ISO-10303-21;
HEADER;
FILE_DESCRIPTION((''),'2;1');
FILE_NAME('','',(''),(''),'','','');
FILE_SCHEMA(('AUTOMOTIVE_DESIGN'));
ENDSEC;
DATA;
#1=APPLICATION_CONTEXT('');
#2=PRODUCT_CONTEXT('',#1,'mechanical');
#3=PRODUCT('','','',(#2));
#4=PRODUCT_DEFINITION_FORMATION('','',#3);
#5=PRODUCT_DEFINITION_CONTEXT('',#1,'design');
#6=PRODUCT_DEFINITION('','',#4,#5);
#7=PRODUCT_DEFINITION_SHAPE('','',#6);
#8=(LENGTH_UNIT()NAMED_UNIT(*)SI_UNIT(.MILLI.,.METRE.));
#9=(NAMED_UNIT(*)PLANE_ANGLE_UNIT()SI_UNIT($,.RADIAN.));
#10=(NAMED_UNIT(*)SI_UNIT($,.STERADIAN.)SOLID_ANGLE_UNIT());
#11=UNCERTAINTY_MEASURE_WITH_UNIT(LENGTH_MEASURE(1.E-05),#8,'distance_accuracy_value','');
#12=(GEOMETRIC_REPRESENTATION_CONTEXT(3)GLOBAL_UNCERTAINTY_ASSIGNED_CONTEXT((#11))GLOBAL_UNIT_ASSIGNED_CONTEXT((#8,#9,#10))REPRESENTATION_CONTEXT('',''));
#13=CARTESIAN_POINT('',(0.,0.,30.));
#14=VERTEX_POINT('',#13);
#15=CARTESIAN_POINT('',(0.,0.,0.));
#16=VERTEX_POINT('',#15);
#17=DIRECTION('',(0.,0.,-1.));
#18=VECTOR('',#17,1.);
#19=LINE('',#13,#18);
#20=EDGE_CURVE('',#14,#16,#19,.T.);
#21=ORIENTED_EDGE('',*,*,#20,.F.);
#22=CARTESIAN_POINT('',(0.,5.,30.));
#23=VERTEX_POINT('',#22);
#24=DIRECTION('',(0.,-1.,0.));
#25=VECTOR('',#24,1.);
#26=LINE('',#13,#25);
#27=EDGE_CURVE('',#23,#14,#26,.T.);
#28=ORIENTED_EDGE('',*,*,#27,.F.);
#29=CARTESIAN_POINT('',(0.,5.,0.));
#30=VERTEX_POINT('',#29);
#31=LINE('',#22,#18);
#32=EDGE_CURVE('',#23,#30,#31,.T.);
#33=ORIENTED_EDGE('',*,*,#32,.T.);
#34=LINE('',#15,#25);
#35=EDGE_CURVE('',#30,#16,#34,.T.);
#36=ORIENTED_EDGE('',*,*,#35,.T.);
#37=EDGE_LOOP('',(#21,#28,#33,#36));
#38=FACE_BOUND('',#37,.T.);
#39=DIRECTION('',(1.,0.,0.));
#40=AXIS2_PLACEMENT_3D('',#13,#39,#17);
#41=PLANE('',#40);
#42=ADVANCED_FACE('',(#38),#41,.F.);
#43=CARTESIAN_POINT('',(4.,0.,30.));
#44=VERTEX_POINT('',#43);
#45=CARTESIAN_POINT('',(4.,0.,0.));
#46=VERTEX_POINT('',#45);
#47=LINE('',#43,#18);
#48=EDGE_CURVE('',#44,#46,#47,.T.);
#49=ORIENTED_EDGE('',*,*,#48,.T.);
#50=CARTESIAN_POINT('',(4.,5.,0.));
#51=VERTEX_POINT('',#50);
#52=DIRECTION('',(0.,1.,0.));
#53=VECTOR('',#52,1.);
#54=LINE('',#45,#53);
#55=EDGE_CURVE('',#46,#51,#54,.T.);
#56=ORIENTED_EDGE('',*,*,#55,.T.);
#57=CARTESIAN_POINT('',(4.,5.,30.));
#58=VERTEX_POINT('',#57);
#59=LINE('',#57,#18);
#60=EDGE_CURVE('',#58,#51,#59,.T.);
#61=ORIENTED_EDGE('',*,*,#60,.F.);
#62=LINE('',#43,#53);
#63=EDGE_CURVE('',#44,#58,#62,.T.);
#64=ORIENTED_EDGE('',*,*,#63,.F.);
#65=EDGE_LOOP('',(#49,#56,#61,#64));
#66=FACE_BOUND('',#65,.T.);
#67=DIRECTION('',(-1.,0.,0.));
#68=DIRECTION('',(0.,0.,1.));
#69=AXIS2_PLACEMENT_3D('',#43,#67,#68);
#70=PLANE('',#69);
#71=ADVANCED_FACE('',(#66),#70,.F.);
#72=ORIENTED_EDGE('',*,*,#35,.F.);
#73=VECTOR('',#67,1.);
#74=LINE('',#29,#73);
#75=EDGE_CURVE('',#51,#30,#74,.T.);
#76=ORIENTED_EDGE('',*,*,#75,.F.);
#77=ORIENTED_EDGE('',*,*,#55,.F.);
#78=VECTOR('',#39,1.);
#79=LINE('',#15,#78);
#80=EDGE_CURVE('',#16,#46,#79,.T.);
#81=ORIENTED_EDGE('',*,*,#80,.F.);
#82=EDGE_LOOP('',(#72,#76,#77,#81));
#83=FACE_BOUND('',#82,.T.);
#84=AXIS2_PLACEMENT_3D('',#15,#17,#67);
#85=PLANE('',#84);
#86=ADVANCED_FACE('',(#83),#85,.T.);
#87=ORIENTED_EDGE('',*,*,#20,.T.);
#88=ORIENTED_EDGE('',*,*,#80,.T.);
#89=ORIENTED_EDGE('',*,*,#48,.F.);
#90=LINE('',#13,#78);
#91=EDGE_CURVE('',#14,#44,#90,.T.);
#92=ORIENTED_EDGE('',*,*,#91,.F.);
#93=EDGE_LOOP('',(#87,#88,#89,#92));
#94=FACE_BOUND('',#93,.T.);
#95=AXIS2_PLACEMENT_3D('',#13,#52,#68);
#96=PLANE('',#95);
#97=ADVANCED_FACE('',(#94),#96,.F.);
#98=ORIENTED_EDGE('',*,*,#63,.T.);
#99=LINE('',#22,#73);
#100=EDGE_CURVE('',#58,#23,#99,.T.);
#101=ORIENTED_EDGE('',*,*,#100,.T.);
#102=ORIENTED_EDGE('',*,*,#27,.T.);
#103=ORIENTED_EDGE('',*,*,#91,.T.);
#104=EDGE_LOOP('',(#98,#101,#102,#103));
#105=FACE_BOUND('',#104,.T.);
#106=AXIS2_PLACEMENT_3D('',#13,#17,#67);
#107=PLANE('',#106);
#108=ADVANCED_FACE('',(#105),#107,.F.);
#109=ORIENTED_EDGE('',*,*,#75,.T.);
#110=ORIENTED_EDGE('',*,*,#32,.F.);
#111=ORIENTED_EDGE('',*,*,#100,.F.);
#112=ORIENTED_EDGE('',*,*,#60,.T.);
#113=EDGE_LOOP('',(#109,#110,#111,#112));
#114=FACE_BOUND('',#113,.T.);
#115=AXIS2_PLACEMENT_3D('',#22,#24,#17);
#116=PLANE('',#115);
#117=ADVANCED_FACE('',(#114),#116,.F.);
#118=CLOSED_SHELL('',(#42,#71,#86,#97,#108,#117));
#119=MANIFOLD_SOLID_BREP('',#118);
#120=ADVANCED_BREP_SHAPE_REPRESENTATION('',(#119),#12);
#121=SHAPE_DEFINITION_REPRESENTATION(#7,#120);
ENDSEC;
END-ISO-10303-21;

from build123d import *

# Parameters (mm, degrees)
ESBO_O1_W                = 4
ESBO_O1_H                = 5
RESSALTO_EXTRUS_O1_DEPTH = 30


with BuildPart() as part:
    # Esboço1 → Ressalto-extrusão1 (new body)
    with BuildSketch(Plane.XY):
        with Locations((2, 2.5)):
            Rectangle(ESBO_O1_W, ESBO_O1_H)
    extrude(amount=RESSALTO_EXTRUS_O1_DEPTH)


solid = part.part
